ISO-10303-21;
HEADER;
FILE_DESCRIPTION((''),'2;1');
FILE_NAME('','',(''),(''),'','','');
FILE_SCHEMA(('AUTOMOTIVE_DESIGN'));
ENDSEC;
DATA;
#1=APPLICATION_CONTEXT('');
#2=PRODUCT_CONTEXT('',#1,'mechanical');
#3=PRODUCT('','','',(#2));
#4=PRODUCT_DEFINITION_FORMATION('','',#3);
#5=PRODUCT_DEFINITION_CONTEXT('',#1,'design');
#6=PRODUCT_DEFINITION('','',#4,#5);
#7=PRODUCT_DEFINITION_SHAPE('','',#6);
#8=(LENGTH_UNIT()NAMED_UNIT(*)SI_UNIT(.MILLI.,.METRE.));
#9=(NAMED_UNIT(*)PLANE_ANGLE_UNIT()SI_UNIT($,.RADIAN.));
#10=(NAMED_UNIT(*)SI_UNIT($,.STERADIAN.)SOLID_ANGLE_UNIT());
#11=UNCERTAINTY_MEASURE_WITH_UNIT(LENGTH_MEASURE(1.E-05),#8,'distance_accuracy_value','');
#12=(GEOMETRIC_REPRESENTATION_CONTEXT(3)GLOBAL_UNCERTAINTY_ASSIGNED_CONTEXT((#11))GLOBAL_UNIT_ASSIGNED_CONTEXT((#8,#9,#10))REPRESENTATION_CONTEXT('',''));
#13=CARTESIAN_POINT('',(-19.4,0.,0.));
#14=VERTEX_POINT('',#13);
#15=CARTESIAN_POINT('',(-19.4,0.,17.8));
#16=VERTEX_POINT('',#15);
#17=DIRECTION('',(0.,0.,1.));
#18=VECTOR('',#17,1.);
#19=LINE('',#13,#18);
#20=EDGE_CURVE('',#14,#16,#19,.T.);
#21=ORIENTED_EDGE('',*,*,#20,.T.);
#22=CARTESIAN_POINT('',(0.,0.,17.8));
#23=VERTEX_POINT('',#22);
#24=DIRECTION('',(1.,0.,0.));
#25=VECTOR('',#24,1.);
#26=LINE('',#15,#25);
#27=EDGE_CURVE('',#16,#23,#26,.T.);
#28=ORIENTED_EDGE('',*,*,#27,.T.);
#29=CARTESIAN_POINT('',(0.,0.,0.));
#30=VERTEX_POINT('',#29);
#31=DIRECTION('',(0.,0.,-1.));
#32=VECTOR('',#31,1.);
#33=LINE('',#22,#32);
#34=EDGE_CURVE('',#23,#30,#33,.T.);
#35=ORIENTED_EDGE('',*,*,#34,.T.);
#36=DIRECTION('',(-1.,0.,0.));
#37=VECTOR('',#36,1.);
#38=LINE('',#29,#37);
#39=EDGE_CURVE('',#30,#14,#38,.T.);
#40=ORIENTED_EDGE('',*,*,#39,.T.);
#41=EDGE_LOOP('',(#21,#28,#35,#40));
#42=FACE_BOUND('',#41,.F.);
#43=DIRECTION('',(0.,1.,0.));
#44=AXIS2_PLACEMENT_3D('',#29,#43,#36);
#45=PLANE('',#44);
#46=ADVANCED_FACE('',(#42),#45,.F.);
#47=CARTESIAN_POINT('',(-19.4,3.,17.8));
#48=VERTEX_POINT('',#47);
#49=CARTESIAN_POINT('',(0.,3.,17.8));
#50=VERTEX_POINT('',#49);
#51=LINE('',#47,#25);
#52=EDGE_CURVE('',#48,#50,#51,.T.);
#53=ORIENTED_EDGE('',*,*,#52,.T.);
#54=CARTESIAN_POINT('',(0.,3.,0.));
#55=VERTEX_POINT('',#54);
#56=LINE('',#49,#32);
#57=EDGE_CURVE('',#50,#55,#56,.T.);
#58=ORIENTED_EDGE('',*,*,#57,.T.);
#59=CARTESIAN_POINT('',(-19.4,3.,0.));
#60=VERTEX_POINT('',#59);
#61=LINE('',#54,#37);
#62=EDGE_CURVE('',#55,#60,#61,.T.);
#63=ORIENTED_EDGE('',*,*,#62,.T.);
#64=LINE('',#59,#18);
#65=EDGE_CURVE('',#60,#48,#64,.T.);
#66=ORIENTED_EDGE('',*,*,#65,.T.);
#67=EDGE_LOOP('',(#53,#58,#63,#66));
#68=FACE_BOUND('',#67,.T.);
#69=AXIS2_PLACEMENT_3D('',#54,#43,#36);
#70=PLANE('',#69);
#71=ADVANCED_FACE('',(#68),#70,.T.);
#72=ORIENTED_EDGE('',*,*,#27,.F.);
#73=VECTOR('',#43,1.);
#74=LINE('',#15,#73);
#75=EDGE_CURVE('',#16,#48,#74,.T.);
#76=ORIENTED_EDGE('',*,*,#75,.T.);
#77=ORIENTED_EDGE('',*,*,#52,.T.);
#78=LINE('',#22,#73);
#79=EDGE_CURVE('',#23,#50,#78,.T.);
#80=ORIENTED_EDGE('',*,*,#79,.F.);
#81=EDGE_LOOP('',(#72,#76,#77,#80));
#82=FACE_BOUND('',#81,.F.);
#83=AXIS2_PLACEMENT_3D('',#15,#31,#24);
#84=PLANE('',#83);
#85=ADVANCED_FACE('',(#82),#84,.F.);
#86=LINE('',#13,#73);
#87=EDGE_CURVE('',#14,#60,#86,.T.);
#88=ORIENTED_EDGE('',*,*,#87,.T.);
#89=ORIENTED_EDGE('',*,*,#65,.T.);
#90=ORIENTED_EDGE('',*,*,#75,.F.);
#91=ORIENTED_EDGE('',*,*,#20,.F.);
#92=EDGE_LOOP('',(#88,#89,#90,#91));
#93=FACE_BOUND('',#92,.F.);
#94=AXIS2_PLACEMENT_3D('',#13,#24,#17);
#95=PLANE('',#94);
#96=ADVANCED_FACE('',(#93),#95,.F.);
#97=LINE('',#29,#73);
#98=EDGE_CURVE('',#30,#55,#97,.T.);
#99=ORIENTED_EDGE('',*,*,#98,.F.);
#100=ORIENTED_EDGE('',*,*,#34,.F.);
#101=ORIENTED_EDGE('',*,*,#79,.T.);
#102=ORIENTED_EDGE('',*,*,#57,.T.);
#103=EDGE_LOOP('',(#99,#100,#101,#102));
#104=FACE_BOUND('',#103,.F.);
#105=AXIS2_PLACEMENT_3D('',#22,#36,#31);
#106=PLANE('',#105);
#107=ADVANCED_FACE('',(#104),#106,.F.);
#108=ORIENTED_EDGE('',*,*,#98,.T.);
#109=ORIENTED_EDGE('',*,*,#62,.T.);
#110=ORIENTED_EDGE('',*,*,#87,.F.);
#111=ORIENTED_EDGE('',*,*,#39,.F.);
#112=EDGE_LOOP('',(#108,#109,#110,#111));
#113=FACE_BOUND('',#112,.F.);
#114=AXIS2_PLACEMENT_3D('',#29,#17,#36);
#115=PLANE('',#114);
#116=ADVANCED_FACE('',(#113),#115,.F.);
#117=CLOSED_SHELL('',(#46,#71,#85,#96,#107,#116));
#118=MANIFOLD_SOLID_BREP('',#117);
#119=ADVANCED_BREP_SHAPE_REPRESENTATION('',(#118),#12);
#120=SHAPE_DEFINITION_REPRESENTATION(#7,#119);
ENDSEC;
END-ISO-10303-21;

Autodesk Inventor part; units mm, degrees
ref_plane "YZ Plane" through (0, 0, 0) normal (1, 0, 0) x (0, 1, 0)
ref_plane "XZ Plane" through (0, 0, 0) normal (0, 1, 0) x (-1, 0, 0)
ref_plane "XY Plane" through (0, 0, 0) normal (0, 0, 1) x (1, 0, 0)
sketch "Sketch1" plane through (0, 0, 0) normal (0, 1, 0) x (-1, 0, 0)
  line L0 (19.4, 17.8) -> (0, 17.8)
  line L1 (0, 17.8) -> (0, 0)
  line L2 (0, 0) -> (19.4, 0)
  line L3 (19.4, 0) -> (19.4, 17.8)
  dimension "d0" = 19.4
  dimension "d1" = 17.8
extrude "Extrusion1" add sketch "Sketch1" along normal blind 3
properties part number "class D Amp" material "ABS Plastic"
